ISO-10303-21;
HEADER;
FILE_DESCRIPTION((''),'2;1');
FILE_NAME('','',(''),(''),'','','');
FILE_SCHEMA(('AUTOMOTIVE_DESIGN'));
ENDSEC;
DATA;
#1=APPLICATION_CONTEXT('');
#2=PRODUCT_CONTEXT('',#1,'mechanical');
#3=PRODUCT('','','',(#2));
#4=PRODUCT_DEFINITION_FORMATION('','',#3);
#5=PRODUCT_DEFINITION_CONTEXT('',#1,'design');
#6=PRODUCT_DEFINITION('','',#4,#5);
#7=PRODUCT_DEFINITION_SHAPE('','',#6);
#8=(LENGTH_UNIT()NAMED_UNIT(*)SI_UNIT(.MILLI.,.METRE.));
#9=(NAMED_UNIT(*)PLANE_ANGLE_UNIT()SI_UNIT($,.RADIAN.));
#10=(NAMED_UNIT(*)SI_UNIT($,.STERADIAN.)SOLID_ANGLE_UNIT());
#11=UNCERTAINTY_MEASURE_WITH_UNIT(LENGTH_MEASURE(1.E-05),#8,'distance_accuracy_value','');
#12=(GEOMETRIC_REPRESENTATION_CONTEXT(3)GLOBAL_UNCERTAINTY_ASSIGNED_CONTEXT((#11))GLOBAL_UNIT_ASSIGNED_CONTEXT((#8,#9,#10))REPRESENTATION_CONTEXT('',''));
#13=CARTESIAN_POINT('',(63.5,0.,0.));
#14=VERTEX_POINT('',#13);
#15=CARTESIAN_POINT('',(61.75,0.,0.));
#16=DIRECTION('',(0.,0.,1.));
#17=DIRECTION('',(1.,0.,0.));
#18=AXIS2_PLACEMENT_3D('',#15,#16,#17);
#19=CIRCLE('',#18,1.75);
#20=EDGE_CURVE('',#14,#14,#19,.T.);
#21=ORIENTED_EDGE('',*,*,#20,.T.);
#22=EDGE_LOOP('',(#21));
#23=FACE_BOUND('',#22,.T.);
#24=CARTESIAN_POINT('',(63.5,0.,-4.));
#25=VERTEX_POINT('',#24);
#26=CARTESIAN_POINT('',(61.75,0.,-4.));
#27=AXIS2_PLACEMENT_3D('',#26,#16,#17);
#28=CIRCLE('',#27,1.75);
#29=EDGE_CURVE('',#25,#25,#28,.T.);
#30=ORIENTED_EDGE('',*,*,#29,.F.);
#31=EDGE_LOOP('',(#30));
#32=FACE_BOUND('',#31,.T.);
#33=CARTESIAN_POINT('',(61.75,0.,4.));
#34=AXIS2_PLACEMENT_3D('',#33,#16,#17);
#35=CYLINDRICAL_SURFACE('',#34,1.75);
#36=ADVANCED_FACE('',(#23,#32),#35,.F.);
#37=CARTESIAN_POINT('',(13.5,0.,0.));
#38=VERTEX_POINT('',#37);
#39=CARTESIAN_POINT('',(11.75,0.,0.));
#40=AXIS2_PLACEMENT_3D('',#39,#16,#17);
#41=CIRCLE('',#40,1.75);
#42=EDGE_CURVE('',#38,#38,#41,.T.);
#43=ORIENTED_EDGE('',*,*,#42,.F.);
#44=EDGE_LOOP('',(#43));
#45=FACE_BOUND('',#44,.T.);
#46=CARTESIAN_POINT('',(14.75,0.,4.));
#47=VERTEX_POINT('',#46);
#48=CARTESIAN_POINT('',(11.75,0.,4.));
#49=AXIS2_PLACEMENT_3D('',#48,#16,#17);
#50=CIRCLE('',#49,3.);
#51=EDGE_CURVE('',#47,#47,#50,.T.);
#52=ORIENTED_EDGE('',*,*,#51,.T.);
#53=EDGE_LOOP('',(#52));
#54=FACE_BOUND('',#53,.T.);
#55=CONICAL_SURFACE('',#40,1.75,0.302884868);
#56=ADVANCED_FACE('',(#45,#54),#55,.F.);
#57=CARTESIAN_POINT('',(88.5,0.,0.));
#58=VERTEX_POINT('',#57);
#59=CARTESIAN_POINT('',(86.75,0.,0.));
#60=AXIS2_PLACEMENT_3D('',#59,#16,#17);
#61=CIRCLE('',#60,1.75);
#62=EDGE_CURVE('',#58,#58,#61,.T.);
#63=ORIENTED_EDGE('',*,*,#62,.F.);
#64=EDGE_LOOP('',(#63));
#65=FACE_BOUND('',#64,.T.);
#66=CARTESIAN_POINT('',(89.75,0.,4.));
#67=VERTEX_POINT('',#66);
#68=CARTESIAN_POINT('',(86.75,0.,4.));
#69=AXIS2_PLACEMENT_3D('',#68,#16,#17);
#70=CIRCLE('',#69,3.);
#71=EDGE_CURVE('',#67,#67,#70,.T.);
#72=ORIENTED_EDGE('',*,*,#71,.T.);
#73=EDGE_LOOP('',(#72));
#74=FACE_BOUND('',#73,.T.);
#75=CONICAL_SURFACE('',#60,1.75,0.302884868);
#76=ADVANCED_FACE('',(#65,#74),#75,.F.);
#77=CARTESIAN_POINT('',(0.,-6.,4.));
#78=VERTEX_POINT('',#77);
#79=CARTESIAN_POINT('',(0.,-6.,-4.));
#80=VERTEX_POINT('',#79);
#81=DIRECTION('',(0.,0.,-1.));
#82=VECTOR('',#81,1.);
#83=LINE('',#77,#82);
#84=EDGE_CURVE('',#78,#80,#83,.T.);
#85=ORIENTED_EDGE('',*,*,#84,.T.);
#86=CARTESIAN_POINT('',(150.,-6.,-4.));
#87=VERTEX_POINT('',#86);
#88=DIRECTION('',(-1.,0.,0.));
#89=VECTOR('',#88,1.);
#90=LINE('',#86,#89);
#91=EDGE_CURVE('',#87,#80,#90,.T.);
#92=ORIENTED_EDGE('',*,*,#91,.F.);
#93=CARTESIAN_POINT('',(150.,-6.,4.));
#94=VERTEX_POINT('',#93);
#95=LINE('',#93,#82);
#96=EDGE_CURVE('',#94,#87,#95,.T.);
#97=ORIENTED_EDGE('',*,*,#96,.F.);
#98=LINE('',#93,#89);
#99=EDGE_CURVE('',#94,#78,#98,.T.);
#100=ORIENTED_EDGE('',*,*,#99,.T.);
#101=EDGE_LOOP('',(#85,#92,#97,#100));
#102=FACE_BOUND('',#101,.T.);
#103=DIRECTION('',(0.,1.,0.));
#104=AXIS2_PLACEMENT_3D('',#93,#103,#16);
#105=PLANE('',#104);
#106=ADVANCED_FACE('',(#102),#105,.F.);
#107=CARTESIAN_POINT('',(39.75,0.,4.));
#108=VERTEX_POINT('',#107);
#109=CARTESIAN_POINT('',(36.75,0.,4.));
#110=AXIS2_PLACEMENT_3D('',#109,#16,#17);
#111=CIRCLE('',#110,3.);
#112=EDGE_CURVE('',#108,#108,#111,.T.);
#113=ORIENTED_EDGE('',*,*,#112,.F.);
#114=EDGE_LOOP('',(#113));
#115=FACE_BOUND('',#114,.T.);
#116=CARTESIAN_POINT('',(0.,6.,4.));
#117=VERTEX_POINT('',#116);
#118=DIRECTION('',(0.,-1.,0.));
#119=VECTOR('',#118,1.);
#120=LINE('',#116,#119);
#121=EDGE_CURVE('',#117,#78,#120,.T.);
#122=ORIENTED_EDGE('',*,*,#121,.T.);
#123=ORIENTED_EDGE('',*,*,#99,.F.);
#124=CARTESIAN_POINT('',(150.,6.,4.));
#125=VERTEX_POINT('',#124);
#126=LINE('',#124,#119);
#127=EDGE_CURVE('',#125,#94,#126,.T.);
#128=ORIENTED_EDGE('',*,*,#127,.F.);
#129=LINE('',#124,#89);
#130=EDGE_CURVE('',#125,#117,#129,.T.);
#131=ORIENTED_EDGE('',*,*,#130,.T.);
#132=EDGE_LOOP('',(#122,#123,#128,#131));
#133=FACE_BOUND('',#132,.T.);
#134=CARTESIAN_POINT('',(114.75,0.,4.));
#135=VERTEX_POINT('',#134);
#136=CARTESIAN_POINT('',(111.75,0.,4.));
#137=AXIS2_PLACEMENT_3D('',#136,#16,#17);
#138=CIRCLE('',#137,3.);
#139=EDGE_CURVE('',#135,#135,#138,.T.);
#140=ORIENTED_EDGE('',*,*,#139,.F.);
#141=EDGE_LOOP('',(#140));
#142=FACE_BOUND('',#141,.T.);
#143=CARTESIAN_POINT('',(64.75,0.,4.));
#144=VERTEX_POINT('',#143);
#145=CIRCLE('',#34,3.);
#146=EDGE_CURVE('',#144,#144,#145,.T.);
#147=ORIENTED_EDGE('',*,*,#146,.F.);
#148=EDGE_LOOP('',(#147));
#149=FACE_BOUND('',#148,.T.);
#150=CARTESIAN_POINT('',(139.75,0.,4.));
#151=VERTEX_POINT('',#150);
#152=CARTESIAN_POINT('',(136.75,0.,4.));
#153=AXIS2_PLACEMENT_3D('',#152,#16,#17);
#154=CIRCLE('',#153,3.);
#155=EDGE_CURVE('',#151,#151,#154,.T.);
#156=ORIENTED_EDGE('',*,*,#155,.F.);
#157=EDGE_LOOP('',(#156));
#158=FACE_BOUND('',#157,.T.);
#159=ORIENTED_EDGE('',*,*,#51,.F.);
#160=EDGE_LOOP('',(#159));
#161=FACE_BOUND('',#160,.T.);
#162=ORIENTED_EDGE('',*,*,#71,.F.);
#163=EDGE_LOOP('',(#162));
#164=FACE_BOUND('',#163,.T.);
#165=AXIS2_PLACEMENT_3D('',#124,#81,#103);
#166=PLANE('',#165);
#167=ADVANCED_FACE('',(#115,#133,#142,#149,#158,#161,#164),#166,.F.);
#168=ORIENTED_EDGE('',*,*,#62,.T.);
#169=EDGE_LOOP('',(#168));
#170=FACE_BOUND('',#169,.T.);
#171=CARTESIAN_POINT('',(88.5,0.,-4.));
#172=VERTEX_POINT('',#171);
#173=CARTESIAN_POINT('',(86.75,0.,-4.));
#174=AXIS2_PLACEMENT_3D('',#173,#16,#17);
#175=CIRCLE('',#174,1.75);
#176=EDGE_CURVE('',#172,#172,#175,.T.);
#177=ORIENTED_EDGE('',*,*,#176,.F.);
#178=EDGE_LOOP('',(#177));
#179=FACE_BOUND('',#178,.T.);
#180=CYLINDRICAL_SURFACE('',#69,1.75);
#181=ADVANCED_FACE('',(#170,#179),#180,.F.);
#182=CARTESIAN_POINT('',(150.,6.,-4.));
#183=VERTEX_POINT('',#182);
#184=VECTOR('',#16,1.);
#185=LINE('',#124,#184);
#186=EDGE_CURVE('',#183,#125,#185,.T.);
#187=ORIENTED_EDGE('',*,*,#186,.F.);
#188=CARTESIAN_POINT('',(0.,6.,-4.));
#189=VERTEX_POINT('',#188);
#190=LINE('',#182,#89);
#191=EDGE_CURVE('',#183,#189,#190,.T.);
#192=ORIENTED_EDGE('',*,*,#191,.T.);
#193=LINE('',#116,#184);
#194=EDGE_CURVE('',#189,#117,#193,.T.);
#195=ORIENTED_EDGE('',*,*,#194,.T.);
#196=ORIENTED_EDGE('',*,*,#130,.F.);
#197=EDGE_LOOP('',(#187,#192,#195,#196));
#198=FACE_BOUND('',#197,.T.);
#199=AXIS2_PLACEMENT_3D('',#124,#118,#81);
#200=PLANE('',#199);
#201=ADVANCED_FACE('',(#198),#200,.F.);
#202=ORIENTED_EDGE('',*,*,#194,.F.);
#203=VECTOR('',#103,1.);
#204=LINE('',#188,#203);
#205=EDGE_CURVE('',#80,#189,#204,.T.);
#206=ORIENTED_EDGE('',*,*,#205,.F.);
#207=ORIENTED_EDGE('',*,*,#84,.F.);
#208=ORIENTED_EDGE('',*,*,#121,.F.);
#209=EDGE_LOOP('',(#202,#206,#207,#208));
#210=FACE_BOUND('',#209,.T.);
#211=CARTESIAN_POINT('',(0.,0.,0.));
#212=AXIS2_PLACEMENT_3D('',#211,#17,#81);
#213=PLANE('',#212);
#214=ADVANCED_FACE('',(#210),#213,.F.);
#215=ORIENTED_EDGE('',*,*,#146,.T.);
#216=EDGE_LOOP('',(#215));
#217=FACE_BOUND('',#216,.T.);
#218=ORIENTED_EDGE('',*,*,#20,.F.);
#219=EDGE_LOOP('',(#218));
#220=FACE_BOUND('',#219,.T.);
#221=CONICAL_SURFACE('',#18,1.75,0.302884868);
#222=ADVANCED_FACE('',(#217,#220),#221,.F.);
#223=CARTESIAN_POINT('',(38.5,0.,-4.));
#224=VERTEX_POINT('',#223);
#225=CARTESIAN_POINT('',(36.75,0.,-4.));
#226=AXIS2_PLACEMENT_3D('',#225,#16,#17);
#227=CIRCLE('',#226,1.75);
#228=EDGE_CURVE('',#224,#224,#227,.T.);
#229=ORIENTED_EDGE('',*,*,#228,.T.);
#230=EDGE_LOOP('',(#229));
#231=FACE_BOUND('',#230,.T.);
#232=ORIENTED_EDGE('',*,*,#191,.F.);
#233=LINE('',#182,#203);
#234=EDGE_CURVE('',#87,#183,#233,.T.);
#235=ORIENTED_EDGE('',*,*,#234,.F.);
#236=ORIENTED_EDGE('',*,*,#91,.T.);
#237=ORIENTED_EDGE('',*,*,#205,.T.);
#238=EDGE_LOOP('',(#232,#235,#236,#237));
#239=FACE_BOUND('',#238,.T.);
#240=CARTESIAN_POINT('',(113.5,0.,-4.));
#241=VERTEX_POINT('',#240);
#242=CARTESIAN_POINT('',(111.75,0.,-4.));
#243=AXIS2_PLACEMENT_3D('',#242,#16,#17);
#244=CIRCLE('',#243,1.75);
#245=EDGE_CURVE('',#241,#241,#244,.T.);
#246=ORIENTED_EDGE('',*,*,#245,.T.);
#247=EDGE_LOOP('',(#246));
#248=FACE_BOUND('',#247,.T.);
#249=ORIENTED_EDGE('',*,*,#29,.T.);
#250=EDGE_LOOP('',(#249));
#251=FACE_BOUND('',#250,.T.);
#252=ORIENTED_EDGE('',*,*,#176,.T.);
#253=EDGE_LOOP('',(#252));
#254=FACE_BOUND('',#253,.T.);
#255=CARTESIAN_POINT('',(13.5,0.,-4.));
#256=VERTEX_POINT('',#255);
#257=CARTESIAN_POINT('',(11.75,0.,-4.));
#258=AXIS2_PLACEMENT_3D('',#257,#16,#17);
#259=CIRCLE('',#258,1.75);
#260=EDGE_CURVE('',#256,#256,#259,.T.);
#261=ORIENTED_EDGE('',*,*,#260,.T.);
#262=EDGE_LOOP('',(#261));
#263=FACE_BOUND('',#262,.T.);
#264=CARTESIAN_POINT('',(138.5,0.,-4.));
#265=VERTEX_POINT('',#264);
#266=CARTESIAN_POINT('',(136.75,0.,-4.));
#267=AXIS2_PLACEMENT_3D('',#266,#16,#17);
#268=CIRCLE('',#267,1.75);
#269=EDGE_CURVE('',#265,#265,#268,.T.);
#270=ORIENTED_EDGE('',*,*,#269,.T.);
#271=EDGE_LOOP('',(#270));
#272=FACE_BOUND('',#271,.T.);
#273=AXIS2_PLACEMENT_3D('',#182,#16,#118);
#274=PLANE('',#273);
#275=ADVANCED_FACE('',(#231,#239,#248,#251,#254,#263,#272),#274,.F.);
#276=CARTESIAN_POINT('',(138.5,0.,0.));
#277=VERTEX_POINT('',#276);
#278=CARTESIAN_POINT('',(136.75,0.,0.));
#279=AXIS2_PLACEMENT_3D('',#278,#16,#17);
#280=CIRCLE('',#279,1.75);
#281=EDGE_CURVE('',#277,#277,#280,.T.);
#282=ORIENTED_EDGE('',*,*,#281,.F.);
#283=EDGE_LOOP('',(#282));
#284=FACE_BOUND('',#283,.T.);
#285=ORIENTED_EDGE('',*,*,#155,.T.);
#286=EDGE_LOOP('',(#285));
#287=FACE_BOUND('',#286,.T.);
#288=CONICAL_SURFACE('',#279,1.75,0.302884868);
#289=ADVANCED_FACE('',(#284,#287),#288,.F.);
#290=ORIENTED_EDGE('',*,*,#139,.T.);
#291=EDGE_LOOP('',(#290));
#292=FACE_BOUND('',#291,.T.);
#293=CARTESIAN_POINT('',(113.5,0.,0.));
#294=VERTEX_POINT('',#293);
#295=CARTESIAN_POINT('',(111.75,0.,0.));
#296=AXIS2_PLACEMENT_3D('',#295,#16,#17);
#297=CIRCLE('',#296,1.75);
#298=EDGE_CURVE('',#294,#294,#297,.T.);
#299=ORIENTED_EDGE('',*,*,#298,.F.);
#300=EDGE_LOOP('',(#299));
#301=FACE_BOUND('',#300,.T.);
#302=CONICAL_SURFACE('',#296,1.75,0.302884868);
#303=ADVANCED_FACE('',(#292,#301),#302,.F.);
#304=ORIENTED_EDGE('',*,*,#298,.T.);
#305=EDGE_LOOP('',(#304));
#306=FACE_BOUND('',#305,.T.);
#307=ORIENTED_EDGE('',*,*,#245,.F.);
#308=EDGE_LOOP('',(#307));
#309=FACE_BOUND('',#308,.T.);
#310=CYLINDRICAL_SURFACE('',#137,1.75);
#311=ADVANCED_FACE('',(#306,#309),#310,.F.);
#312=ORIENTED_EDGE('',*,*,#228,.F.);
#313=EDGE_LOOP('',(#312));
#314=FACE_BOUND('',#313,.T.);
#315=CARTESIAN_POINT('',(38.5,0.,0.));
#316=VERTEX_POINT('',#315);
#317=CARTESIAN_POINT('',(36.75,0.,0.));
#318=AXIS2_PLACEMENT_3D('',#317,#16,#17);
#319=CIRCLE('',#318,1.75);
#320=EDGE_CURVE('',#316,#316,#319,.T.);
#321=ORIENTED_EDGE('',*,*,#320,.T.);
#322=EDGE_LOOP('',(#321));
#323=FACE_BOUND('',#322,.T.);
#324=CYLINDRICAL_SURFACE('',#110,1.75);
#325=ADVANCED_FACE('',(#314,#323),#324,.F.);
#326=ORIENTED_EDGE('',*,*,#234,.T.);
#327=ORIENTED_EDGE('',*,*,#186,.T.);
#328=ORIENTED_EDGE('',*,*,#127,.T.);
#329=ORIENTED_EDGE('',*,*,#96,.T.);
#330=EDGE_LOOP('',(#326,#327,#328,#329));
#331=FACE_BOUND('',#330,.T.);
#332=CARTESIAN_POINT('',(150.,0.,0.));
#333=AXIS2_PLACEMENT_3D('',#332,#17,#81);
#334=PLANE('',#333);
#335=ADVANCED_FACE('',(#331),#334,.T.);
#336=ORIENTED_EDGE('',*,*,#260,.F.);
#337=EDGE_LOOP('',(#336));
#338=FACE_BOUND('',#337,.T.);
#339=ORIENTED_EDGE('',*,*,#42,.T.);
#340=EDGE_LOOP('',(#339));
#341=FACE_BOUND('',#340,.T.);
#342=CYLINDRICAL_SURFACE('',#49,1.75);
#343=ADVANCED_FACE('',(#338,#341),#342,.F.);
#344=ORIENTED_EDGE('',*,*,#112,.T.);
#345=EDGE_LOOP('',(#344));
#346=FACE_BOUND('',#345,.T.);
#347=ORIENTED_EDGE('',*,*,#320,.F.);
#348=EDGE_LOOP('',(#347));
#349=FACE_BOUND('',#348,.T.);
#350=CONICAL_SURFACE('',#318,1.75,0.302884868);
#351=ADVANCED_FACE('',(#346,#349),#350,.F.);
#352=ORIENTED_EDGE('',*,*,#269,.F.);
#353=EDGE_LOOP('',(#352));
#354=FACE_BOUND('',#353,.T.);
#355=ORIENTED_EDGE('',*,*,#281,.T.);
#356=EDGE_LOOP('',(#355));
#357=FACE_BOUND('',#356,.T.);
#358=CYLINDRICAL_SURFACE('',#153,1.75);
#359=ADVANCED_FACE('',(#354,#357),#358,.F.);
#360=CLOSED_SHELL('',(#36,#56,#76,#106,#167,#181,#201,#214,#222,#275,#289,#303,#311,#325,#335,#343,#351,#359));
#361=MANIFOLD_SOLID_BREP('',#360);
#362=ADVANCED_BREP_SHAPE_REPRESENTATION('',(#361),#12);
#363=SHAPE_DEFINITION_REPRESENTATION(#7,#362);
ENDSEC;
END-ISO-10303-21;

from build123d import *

# Parameters (mm, degrees)
SKETCH1_W           = 8
SKETCH1_H           = 12
BOSS_EXTRUDE1_DEPTH = 150
LPATTERN1_COUNT     = 6
LPATTERN1_PITCH     = 25


with BuildPart() as part:
    # Sketch1 → Boss-Extrude1 (new body)
    with BuildSketch(Plane(origin=(0, 0, 0), x_dir=(0, 0, -1), z_dir=(1, 0, 0))):
        Rectangle(SKETCH1_W, SKETCH1_H)
    extrude(amount=BOSS_EXTRUDE1_DEPTH)

    # Sketch4 → Cut-Revolve1 (revolve, cut)
    with BuildSketch(Plane.ZY.offset(-11.75), mode=Mode.PRIVATE) as cut_revolve1_sk:
        Polygon((4, 0), (-4, 0), (-4, -1.75), (0, -1.75), (4, -3), align=None)
    cut_revolve1 = revolve(cut_revolve1_sk.sketch.rotate(Axis((11.75, 0, 4), (0, 0, -1)), 270), axis=Axis((11.75, 0, 4), (0, 0, -1)), mode=Mode.SUBTRACT)

    # LPattern1: Cut-Revolve1 ×6
    with Locations(*[(i * LPATTERN1_PITCH, 0, 0) for i in range(1, LPATTERN1_COUNT)]):
        add(cut_revolve1, mode=Mode.SUBTRACT)


solid = part.part
